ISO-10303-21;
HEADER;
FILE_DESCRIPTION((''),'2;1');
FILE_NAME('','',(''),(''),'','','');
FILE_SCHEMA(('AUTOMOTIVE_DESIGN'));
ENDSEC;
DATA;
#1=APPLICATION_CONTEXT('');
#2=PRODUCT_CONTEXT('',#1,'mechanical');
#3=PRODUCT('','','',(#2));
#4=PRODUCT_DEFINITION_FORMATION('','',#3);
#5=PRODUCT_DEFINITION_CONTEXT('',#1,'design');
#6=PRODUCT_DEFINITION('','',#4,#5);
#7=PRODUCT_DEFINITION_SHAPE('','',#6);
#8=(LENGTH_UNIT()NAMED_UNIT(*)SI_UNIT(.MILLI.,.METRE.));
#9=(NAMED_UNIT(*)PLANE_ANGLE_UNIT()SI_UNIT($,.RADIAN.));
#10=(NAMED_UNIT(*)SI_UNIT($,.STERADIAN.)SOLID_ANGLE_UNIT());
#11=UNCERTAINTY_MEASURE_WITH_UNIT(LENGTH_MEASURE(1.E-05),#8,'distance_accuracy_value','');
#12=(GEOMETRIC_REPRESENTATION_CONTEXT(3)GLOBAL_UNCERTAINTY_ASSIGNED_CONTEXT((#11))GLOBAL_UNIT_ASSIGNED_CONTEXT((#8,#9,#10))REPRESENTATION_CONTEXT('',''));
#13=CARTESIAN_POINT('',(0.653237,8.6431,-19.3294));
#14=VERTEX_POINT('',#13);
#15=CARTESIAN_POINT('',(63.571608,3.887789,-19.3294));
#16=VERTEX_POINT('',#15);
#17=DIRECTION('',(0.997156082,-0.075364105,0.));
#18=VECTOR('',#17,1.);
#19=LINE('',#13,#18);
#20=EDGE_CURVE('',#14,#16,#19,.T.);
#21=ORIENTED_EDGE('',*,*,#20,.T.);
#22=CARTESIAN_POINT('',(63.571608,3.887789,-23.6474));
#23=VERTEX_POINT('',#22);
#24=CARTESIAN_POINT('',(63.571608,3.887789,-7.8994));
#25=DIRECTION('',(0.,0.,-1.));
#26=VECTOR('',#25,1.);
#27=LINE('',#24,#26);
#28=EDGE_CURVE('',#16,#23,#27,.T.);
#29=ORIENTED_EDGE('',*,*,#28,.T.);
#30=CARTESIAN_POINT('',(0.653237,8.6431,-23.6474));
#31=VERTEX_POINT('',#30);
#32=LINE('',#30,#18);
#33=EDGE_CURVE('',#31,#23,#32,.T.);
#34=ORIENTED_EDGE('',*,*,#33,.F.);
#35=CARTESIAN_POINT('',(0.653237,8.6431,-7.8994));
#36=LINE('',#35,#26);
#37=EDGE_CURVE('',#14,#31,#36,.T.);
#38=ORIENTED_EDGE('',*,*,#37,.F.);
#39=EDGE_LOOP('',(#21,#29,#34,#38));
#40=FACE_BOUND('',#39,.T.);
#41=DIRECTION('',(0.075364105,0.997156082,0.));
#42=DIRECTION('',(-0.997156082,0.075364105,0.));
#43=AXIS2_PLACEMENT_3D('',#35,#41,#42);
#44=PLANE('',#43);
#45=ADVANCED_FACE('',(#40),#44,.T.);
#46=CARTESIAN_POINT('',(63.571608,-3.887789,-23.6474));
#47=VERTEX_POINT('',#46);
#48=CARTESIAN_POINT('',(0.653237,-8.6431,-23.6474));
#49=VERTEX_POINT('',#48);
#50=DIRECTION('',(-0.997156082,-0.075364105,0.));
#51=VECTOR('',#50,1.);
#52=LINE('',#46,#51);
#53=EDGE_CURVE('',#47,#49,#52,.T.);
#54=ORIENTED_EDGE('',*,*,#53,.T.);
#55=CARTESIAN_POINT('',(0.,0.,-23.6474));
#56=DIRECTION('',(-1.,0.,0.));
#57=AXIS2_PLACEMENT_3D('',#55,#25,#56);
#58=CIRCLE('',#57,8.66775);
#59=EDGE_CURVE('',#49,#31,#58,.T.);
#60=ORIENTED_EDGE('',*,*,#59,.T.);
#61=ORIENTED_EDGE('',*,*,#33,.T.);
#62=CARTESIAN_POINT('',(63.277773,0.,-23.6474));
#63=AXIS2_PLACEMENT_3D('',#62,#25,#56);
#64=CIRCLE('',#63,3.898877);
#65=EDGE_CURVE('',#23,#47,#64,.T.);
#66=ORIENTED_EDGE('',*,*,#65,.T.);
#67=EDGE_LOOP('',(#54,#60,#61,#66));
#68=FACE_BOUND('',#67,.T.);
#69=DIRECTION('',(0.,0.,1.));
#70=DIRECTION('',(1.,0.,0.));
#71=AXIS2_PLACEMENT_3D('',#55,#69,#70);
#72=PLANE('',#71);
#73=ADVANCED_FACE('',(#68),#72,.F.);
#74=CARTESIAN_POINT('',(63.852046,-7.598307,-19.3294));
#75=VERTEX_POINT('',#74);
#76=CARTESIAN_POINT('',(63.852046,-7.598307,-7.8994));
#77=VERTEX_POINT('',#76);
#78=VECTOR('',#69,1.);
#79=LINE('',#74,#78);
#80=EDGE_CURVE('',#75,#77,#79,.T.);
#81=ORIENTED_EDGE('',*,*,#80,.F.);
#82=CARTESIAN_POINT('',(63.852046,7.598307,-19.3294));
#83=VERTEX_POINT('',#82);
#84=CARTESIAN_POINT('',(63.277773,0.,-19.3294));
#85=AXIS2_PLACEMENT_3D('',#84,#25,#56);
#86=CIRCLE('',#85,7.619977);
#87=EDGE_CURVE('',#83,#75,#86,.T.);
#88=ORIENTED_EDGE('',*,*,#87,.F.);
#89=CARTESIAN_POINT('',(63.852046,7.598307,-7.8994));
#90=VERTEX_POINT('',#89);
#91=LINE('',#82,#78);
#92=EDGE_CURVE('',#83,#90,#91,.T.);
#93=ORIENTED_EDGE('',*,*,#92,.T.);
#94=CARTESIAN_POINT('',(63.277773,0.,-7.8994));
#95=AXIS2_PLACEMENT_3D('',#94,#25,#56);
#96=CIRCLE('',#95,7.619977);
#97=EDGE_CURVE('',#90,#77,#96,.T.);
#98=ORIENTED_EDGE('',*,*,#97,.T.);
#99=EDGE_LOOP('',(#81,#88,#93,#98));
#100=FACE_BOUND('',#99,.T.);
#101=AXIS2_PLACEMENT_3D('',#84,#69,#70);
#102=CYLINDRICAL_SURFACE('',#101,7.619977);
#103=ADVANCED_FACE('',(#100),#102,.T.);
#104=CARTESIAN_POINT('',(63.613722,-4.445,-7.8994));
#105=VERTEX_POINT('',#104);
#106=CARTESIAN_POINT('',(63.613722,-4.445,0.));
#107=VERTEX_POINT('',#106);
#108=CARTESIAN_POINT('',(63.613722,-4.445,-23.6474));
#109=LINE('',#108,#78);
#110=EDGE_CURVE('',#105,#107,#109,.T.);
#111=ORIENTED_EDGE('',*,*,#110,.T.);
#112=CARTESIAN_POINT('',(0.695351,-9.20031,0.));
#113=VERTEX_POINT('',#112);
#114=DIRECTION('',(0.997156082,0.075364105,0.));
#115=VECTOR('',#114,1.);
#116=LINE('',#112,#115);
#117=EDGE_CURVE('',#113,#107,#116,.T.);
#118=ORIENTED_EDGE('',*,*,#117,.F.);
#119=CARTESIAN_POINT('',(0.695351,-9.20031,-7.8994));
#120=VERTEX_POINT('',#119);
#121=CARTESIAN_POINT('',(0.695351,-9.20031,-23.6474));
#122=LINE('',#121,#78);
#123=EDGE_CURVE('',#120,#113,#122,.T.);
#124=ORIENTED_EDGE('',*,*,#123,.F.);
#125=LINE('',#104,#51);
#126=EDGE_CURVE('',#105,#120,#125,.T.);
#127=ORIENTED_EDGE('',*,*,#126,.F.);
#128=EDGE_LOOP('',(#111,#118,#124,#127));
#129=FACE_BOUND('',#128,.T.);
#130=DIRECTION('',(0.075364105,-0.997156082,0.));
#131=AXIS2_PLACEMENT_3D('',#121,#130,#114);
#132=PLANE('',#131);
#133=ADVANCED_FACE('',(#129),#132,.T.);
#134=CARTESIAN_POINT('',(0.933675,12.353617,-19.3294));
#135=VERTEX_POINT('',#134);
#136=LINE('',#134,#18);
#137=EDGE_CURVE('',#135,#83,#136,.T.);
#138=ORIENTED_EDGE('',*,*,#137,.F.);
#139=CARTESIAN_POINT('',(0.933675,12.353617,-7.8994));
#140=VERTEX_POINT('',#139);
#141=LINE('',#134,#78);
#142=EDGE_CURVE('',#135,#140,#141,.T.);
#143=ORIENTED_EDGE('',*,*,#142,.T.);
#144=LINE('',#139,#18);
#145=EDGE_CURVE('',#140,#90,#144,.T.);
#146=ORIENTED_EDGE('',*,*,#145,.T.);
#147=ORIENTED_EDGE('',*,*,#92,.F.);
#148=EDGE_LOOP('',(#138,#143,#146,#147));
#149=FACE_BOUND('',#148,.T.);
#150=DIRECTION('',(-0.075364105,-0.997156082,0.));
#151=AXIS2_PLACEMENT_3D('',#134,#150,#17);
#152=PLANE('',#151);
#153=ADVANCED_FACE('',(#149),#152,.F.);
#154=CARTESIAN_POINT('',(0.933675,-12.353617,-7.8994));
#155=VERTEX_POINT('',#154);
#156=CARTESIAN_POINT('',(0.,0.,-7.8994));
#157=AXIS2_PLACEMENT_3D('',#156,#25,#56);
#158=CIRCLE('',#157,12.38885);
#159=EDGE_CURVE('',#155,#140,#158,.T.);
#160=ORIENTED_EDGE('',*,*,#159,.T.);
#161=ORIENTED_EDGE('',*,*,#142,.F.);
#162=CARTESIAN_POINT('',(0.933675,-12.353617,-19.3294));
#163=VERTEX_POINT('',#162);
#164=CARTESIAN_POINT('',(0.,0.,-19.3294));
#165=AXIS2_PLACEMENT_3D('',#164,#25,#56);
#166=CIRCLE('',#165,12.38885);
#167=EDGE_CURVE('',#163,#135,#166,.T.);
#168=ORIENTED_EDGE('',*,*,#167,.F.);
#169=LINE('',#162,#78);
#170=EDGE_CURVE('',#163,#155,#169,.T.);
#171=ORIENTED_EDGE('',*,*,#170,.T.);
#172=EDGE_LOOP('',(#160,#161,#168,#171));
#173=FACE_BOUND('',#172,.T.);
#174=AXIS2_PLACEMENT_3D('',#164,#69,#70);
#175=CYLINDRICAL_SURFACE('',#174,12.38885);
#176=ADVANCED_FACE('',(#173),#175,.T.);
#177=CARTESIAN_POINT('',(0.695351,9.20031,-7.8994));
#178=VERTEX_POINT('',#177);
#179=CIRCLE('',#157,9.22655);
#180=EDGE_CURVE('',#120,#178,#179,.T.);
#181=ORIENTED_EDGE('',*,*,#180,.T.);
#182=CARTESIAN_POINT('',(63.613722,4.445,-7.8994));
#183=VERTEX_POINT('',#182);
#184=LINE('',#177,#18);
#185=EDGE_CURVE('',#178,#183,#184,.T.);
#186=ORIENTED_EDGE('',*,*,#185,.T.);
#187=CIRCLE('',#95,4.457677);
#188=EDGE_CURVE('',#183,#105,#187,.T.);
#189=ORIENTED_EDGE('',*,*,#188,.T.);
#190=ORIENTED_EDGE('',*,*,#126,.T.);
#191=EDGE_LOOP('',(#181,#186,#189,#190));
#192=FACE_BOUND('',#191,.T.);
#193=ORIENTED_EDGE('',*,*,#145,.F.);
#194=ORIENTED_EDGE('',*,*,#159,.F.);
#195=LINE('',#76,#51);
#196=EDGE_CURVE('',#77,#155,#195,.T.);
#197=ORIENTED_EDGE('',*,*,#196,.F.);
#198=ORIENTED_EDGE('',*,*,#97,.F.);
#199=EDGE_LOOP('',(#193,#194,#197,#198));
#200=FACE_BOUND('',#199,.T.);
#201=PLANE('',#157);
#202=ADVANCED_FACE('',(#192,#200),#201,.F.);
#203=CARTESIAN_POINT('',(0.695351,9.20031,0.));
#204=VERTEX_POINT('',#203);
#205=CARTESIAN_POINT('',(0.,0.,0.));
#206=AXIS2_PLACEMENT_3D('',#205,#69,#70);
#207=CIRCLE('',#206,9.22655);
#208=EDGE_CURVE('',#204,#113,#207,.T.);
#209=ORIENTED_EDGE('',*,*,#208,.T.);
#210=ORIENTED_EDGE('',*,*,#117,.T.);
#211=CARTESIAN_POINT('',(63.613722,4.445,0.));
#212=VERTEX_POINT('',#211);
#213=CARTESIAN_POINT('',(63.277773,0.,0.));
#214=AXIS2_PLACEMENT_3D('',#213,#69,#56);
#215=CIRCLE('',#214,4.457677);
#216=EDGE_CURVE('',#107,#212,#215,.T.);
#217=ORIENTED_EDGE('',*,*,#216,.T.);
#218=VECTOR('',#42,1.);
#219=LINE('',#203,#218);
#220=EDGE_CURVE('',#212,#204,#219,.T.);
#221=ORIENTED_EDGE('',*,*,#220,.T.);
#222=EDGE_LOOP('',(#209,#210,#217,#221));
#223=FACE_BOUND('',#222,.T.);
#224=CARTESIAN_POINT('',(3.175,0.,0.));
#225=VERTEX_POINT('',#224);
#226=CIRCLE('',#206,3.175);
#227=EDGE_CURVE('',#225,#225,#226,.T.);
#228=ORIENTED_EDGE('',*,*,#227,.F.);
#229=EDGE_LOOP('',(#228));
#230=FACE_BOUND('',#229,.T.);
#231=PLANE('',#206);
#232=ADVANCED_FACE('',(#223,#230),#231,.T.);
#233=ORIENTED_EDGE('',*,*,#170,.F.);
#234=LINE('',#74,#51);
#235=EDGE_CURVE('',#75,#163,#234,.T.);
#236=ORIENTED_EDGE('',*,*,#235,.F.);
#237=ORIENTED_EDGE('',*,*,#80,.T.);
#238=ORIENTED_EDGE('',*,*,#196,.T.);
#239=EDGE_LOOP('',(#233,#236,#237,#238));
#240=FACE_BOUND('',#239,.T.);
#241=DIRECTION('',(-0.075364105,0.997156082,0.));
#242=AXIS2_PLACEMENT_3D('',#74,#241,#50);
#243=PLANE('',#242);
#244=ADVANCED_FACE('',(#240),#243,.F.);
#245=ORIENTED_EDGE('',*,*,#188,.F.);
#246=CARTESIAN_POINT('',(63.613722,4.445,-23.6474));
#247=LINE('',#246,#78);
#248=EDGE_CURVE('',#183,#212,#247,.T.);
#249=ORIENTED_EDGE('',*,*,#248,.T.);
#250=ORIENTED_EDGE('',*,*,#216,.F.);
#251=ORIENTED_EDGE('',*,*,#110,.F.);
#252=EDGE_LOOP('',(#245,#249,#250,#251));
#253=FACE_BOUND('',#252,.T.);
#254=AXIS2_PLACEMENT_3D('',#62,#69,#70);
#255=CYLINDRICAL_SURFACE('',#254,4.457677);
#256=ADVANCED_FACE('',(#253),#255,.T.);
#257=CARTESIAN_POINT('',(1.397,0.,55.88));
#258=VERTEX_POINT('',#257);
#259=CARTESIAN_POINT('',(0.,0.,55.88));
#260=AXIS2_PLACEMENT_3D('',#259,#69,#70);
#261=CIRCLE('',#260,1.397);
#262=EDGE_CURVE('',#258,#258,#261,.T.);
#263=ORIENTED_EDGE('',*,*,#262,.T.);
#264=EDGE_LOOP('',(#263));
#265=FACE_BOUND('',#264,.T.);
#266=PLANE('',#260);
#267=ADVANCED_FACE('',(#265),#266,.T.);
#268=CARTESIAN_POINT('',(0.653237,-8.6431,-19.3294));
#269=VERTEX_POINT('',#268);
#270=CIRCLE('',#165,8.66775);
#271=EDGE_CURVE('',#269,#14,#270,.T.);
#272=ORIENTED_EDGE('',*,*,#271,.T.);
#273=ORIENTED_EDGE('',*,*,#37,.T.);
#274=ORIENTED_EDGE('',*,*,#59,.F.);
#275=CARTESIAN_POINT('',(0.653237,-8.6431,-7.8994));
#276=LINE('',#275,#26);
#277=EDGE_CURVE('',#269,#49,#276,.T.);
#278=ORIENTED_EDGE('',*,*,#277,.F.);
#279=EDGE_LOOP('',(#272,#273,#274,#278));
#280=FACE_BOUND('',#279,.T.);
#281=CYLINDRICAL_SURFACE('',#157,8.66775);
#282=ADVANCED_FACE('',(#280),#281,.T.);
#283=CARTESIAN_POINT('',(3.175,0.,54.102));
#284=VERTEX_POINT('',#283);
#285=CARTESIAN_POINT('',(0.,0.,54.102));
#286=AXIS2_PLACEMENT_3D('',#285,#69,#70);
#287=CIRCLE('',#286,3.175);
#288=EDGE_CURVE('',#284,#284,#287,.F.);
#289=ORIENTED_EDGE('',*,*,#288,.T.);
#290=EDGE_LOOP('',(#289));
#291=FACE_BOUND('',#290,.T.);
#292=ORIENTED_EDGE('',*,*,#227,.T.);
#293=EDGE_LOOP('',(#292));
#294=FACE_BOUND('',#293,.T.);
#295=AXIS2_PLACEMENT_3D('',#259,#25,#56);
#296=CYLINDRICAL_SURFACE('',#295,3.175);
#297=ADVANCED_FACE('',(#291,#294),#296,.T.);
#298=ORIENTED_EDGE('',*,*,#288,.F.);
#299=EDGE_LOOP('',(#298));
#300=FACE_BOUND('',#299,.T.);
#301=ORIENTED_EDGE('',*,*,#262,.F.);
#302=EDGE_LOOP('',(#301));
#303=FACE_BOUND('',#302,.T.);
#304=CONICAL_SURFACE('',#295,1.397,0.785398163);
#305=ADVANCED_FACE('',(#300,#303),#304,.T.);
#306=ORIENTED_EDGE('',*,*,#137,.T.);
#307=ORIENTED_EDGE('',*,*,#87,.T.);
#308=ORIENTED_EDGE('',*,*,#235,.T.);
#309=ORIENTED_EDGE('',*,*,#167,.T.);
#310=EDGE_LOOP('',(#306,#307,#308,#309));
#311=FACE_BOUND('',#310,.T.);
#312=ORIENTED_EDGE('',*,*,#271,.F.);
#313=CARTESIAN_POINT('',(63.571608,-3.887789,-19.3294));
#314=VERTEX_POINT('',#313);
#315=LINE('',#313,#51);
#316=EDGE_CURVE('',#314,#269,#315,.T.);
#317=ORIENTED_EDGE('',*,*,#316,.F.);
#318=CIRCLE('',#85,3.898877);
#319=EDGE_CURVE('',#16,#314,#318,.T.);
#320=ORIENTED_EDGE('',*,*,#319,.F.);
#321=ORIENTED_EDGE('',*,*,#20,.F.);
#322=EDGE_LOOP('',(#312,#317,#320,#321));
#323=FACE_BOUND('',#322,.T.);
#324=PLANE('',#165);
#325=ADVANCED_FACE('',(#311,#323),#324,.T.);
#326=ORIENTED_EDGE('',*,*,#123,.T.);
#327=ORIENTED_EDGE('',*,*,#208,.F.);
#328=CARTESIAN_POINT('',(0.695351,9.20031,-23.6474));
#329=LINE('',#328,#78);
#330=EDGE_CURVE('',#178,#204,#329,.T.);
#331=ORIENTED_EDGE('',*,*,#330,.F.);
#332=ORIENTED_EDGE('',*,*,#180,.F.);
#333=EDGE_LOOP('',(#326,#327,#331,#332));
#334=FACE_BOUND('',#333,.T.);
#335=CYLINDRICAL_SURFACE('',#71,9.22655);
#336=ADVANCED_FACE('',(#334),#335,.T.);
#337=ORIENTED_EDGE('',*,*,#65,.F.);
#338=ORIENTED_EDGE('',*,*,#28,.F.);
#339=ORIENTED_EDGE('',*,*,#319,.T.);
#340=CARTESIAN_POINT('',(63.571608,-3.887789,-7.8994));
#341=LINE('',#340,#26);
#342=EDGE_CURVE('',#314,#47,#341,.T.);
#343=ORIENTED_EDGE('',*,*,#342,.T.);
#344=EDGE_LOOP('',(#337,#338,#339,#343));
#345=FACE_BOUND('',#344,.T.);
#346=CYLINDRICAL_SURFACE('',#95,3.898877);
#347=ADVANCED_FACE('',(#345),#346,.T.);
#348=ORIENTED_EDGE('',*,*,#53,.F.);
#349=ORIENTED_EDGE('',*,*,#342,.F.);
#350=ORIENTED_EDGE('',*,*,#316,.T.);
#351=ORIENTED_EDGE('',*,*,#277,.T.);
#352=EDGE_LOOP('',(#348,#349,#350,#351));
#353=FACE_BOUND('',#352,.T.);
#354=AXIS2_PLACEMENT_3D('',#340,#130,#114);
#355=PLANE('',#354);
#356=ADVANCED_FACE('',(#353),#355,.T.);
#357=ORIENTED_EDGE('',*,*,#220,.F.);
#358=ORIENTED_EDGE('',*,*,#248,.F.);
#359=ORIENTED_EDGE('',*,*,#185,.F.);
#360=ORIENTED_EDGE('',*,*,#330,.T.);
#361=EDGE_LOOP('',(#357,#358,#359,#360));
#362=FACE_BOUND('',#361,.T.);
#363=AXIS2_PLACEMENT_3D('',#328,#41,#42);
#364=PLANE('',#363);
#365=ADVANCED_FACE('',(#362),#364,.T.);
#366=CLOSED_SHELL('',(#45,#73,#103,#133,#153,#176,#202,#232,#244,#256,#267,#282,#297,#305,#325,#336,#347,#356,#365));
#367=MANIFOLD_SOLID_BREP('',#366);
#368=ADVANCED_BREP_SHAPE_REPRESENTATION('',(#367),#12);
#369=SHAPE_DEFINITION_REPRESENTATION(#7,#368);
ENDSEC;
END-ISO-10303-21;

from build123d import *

# Parameters (mm, degrees)
BOSS_EXTRUDE1_DEPTH = 23.6474
CUT_EXTRUDE1_START  = -15.748
CUT_EXTRUDE1_DEPTH  = 15.748
SKETCH3_R           = 3.175
BOSS_EXTRUDE2_DEPTH = 55.88
BOSS_EXTRUDE3_DEPTH = 11.43
CHAMFER1_SIZE       = 1.778


with BuildPart() as part:
    # Sketch1 → Boss-Extrude1 (new body)
    with BuildSketch(Plane.XY):
        with BuildLine():
            Line((0.695350686, 9.200310447), (63.61372159, 4.445))
            ThreePointArc((63.61372159, 4.445), (67.73545, 0), (63.61372159, -4.445))
            Line((63.61372159, -4.445), (0.695350686, -9.200310447))
            ThreePointArc((0.695350686, -9.200310447), (-9.22655, 0), (0.695350686, 9.200310447))
        make_face()
    extrude(amount=-BOSS_EXTRUDE1_DEPTH)

    # Sketch2 → Cut-Extrude1 (cut)
    with BuildSketch(Plane(origin=(0, 0, -23.6474), x_dir=(-1, 0, 0), z_dir=(0, 0, -1)).offset(CUT_EXTRUDE1_START)):
        with BuildLine():
            Line((-0.695350686, 9.200310447), (-63.61372159, 4.445))
            ThreePointArc((-63.61372159, 4.445), (-67.73545, 0), (-63.61372159, -4.445))
            Line((-63.61372159, -4.445), (-0.695350686, -9.200310447))
            ThreePointArc((-0.695350686, -9.200310447), (9.22655, 0), (-0.695350686, 9.200310447))
        make_face()
        with BuildLine():
            Line((-0.653237224, 8.643099629), (-63.571608128, 3.887789181))
            ThreePointArc((-63.571608128, 3.887789181), (-67.17665, 0), (-63.571608128, -3.887789181))
            Line((-63.571608128, -3.887789181), (-0.653237224, -8.643099629))
            ThreePointArc((-0.653237224, -8.643099629), (8.66775, 0), (-0.653237224, 8.643099629))
        make_face(mode=Mode.SUBTRACT)
    extrude(amount=CUT_EXTRUDE1_DEPTH, mode=Mode.SUBTRACT)

    # Sketch3 → Boss-Extrude2 (add)
    with BuildSketch(Plane.XY):
        Circle(SKETCH3_R)
    extrude(amount=BOSS_EXTRUDE2_DEPTH)

    # Sketch4 → Boss-Extrude3 (add)
    with BuildSketch(Plane(origin=(0, 0, -7.8994), x_dir=(-1, 0, 0), z_dir=(0, 0, -1))):
        with BuildLine():
            Line((-0.933674597, 12.353617125), (-63.852045501, 7.598306678))
            ThreePointArc((-63.852045501, 7.598306678), (-70.89775, 0), (-63.852045501, -7.598306678))
            Line((-63.852045501, -7.598306678), (-0.933674597, -12.353617125))
            ThreePointArc((-0.933674597, -12.353617125), (12.38885, 0), (-0.933674597, 12.353617125))
        make_face()
        with BuildLine():
            Line((-0.653237224, 8.643099629), (-63.571608128, 3.887789181))
            ThreePointArc((-63.571608128, 3.887789181), (-67.17665, 0), (-63.571608128, -3.887789181))
            Line((-63.571608128, -3.887789181), (-0.653237224, -8.643099629))
            ThreePointArc((-0.653237224, -8.643099629), (8.66775, 0), (-0.653237224, 8.643099629))
        make_face(mode=Mode.SUBTRACT)
    extrude(amount=BOSS_EXTRUDE3_DEPTH)

    # Chamfer1
    chamfer1_edges = [part.edges().sort_by_distance(p)[0] for p in [
        (-3.175, 0, 55.88),
    ]]
    chamfer(chamfer1_edges, length=CHAMFER1_SIZE)


solid = part.part
